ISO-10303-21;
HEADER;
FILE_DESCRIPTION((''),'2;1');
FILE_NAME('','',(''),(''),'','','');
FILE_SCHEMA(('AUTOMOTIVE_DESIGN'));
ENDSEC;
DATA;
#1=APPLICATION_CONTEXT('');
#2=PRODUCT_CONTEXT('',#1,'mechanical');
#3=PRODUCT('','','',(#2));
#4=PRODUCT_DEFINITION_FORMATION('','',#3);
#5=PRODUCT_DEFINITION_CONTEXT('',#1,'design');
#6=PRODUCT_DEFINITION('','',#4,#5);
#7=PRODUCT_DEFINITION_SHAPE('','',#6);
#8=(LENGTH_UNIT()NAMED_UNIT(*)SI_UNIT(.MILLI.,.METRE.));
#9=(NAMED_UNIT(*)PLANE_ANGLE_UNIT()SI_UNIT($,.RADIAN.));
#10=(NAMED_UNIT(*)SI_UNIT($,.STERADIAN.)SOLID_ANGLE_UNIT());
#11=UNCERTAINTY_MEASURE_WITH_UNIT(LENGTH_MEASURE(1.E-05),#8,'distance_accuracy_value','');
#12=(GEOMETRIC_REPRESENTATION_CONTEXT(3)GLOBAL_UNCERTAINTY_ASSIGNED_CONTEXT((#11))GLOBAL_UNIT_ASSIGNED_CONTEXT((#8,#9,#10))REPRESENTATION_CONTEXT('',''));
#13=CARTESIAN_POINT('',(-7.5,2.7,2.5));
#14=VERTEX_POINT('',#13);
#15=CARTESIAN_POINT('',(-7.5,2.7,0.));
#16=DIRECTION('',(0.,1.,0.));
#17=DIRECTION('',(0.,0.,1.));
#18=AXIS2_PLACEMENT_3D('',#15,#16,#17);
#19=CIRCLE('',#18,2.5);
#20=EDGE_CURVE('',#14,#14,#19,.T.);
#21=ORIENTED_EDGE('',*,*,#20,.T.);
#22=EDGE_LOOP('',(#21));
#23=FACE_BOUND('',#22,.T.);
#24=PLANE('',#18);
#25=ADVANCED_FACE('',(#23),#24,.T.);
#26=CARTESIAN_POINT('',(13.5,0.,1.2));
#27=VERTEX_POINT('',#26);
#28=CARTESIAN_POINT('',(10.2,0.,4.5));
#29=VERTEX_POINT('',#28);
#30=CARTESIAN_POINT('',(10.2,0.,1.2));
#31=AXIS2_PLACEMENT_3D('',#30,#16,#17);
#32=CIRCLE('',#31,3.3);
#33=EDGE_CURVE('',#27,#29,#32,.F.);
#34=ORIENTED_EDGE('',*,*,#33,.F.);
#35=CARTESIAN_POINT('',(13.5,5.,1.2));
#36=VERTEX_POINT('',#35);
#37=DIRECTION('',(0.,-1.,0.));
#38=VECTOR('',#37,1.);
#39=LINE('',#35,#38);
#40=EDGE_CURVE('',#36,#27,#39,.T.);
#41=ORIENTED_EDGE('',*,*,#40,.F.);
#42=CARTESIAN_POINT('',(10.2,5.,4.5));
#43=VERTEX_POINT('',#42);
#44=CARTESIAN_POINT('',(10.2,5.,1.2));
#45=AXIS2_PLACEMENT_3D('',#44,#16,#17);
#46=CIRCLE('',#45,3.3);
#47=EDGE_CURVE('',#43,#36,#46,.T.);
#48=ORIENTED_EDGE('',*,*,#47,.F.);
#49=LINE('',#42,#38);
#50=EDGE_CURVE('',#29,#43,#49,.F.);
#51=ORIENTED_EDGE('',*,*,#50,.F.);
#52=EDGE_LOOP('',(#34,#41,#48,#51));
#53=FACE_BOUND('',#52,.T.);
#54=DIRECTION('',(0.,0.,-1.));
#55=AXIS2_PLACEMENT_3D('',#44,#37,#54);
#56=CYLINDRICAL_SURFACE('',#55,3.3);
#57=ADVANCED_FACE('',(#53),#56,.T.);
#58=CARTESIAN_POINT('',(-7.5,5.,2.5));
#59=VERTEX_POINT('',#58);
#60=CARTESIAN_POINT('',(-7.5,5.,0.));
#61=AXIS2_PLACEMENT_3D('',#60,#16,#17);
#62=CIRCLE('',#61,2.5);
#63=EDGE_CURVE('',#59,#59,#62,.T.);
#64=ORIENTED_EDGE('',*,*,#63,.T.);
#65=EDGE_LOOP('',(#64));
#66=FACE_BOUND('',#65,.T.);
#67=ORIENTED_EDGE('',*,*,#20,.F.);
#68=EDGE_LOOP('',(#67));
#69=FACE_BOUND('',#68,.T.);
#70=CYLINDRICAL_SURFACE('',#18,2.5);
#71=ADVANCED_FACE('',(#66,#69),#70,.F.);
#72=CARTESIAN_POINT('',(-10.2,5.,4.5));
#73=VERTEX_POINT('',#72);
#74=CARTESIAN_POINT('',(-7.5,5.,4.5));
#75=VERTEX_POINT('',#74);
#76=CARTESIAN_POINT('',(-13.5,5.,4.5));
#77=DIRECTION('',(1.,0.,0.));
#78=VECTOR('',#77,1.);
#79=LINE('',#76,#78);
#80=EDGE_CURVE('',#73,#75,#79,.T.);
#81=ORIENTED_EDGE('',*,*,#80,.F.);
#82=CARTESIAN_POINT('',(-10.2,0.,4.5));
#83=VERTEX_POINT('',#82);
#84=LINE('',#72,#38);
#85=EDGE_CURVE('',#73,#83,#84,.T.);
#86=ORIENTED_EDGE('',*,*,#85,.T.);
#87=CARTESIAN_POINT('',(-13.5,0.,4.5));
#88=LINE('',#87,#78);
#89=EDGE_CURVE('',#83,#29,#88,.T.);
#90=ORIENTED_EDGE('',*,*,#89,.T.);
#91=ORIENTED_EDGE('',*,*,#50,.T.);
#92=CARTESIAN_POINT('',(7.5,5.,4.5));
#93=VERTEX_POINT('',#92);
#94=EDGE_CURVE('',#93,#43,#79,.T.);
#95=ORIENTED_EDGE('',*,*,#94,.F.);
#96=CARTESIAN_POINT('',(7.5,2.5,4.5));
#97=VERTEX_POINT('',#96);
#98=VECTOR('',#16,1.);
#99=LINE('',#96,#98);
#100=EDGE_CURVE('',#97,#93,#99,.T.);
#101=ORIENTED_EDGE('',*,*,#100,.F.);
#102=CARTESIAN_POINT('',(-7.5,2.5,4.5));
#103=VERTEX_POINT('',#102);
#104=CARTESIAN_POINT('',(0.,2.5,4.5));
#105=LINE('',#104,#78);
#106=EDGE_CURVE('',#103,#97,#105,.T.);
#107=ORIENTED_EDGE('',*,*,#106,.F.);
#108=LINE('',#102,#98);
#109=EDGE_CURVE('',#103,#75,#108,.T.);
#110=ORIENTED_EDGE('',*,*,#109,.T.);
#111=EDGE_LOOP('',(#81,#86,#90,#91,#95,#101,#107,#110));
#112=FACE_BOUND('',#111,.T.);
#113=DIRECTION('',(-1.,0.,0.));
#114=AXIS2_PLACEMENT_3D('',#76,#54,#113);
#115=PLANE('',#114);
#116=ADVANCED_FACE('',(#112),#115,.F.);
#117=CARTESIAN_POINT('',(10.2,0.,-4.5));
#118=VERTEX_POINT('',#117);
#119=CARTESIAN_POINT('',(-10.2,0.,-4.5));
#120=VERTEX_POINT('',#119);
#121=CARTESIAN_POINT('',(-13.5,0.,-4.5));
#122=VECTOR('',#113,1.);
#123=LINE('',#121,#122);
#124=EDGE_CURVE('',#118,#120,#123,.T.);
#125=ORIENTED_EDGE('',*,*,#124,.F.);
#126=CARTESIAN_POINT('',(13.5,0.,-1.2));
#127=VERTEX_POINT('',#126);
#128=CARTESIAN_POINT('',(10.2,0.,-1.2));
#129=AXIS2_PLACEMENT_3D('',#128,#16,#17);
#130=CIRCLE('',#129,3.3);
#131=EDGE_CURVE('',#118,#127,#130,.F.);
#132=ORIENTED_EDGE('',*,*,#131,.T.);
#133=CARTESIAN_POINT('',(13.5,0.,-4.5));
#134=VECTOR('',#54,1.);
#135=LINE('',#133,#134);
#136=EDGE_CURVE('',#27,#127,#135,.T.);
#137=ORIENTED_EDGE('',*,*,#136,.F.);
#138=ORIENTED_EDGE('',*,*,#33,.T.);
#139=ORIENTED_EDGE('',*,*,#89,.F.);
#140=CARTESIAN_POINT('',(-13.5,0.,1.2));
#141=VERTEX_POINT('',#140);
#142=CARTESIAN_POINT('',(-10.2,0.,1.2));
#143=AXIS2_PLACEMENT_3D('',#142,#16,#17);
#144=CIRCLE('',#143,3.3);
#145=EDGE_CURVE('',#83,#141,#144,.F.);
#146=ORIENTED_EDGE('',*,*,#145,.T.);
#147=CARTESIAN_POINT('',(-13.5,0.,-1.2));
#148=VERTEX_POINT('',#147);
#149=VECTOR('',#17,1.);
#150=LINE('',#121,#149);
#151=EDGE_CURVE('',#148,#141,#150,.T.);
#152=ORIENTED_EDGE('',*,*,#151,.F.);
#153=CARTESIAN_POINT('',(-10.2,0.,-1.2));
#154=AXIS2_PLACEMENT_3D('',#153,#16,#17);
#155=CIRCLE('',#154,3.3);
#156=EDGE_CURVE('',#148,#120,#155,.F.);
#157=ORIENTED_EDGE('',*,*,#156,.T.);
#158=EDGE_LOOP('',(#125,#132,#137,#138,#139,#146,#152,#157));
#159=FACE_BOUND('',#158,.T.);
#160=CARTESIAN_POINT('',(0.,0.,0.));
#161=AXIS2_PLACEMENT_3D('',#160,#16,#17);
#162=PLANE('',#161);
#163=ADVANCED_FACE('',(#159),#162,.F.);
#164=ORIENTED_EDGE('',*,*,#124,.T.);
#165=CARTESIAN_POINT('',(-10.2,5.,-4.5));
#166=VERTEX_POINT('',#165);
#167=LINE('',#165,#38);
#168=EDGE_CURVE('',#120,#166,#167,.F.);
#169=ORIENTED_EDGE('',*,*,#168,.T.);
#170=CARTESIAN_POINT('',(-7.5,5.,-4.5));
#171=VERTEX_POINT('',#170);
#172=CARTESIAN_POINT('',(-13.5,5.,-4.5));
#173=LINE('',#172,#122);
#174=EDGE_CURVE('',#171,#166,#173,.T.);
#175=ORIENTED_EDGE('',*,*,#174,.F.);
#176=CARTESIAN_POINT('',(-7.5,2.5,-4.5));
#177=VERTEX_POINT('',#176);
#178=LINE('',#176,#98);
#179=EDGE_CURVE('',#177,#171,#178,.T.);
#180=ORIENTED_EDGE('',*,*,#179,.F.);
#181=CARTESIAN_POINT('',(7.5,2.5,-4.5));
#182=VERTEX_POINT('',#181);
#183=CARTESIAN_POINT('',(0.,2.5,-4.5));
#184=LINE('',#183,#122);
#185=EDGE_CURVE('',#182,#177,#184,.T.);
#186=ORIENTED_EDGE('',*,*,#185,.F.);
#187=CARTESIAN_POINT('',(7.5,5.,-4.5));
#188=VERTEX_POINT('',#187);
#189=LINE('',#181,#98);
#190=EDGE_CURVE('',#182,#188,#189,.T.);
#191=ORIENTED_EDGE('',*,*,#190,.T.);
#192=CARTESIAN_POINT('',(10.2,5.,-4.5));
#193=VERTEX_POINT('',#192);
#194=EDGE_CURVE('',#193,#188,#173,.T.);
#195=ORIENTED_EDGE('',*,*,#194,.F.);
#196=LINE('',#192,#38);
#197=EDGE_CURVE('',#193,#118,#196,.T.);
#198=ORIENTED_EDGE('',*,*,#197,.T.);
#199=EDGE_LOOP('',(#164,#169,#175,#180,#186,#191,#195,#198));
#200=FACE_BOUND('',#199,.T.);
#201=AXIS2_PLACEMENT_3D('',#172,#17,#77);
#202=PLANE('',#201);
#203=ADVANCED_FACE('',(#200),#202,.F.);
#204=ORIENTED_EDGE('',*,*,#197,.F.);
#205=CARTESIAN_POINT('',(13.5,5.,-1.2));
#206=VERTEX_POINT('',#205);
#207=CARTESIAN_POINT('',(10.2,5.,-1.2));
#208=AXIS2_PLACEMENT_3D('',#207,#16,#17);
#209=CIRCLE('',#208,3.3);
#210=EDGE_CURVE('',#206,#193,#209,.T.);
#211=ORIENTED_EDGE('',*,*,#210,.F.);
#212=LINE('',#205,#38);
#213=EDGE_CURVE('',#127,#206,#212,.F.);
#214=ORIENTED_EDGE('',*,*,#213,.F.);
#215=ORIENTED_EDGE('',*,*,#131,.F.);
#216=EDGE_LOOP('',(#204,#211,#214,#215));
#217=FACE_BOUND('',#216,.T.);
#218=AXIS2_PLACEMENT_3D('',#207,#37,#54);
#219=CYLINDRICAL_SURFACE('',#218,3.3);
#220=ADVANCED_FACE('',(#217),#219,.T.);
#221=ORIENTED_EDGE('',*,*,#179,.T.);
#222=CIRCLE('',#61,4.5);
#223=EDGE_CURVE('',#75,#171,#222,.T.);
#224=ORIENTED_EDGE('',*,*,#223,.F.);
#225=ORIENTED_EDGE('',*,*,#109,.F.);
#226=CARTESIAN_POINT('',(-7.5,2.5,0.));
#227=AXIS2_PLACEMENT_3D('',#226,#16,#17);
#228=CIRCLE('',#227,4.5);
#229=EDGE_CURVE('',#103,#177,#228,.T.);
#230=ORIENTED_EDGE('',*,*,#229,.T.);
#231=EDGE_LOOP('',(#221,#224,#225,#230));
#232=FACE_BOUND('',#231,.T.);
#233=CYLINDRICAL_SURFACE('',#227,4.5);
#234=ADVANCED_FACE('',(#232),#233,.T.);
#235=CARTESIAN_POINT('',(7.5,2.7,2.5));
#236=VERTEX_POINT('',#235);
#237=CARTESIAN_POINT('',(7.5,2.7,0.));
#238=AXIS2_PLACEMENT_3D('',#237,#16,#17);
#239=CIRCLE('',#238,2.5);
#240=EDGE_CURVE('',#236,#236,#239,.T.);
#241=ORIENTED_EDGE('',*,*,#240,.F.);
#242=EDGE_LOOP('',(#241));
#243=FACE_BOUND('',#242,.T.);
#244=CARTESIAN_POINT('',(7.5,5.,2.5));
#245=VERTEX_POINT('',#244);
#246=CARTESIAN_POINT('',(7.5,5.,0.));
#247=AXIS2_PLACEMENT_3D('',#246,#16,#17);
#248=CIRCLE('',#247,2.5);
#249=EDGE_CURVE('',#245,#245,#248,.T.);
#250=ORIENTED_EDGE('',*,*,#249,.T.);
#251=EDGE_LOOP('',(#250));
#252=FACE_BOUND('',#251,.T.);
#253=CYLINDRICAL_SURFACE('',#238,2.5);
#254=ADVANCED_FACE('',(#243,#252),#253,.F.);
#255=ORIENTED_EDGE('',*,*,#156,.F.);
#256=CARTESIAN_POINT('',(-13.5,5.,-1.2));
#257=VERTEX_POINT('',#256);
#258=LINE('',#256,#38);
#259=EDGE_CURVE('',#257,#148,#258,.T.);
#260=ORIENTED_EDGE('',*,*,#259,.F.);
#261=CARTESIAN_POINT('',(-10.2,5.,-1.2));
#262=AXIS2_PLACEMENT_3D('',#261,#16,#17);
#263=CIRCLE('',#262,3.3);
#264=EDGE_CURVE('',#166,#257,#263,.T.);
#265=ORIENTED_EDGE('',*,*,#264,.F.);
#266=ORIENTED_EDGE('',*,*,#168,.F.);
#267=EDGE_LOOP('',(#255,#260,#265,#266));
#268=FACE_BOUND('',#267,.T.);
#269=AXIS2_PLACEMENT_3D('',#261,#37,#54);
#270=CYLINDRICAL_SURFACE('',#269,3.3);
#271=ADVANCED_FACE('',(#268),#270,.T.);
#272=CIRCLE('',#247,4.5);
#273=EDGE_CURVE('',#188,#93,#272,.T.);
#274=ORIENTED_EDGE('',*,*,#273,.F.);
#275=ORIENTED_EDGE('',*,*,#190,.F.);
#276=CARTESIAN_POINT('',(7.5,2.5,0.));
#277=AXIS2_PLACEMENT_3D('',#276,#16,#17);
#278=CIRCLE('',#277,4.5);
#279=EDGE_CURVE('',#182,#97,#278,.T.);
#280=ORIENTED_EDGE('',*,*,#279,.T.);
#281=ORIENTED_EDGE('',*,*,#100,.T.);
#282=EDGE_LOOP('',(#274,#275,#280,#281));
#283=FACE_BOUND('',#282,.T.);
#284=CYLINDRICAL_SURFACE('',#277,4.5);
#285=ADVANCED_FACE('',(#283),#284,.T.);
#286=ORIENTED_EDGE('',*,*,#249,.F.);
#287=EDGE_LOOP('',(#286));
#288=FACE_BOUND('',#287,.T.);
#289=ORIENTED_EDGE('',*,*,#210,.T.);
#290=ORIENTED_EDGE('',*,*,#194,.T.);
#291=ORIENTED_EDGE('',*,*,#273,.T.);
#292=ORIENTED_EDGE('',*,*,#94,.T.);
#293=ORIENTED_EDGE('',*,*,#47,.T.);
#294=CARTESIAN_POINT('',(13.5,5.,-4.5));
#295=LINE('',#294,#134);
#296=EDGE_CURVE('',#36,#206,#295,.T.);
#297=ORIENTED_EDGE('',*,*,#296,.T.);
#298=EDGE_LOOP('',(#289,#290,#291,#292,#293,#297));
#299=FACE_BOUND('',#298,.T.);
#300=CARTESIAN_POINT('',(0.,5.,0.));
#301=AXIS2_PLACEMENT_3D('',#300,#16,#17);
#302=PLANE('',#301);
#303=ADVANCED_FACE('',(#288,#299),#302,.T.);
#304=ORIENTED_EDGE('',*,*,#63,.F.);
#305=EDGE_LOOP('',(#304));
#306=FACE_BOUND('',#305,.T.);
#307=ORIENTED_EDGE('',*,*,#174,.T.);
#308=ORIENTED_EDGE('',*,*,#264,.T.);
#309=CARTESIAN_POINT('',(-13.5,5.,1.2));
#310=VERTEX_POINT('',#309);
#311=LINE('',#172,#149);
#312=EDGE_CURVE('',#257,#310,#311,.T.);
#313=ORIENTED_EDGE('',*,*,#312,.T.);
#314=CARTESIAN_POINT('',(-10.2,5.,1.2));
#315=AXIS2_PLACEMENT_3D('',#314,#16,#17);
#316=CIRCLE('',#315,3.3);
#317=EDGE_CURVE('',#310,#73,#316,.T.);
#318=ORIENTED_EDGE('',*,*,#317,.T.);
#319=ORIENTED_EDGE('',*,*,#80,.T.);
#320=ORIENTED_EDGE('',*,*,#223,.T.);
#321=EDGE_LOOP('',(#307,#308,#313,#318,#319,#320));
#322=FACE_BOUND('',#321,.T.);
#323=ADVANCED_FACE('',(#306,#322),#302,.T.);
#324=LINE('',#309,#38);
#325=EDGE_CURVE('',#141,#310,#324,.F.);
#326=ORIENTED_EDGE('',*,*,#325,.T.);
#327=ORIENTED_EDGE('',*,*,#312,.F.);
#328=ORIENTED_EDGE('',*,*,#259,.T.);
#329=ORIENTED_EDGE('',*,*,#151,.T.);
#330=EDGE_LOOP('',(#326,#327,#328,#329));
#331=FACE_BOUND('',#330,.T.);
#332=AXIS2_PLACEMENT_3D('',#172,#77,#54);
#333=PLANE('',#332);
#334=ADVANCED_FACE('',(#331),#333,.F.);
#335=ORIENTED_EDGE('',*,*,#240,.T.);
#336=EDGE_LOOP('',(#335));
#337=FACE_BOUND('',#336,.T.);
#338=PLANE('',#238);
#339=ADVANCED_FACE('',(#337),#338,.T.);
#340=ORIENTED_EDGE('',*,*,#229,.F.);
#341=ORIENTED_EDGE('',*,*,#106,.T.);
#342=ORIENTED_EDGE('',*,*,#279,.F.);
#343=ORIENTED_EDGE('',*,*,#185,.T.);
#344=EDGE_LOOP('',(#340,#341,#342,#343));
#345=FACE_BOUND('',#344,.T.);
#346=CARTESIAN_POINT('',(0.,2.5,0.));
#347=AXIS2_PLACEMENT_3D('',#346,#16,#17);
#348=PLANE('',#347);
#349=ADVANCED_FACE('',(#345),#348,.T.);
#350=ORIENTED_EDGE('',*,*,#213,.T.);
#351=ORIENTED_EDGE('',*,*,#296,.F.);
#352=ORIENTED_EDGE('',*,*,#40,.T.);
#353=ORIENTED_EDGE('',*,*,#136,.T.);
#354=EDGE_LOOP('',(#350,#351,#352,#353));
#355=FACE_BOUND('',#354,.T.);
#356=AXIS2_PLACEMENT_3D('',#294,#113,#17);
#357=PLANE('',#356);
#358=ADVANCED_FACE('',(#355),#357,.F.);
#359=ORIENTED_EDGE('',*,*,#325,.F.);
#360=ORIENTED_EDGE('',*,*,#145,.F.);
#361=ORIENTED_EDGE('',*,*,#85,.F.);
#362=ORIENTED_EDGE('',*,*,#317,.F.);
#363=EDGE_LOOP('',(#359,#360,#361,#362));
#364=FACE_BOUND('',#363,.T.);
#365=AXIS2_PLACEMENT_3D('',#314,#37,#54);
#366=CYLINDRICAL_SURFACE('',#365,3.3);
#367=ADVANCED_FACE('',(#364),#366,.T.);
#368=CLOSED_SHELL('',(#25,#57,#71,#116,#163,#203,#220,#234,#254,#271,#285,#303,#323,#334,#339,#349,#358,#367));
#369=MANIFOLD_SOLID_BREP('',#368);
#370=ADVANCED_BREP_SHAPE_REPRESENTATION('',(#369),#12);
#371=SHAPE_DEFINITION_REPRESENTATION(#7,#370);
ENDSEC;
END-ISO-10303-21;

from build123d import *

# Parameters (mm, degrees)
SKETCH1_W           = 27
SKETCH1_H           = 9
BOSS_EXTRUDE1_DEPTH = 5
FILLET1_R           = 3.3
SKETCH2_R           = 2.5
CUT_EXTRUDE1_DEPTH  = 2.3
CUT_EXTRUDE4_DEPTH  = 2.5


with BuildPart() as part:
    # Sketch1 → Boss-Extrude1 (new body)
    with BuildSketch(Plane(origin=(0, 0, 0), x_dir=(1, 0, 0), z_dir=(0, 1, 0))):
        Rectangle(SKETCH1_W, SKETCH1_H)
    extrude(amount=BOSS_EXTRUDE1_DEPTH)

    # Fillet1
    fillet1_edges = [part.edges().sort_by_distance(p)[0] for p in [
        (13.5, 2.5, 4.5),
        (-13.5, 2.5, 4.5),
        (-13.5, 2.5, -4.5),
        (13.5, 2.5, -4.5),
    ]]
    fillet(fillet1_edges, radius=FILLET1_R)

    # Sketch2 → Cut-Extrude1 (cut)
    with BuildSketch(Plane(origin=(0, 5, 0), x_dir=(1, 0, 0), z_dir=(0, 1, 0))):
        with Locations(Location((-7.5, 0, 0), (0, 0, 270))):
            Circle(SKETCH2_R)
        with Locations(Location((7.5, 0, 0), (0, 0, 270))):
            Circle(SKETCH2_R)
    extrude(amount=-CUT_EXTRUDE1_DEPTH, mode=Mode.SUBTRACT)

    # Sketch4 → Cut-Extrude4 (cut)
    with BuildSketch(Plane(origin=(0, 5, 0), x_dir=(1, 0, 0), z_dir=(0, 1, 0))):
        with BuildLine():
            ThreePointArc((-3, 0), (-4.318019485, -3.181980515), (-7.5, -4.5))
            Line((-7.5, -4.5), (7.499999999, -4.5))
            ThreePointArc((7.499999999, -4.5), (3, 0), (7.5, 4.5))
            Line((7.5, 4.5), (-7.5, 4.5))
            ThreePointArc((-7.5, 4.5), (-4.318019485, 3.181980515), (-3, 0))
        make_face()
    extrude(amount=-CUT_EXTRUDE4_DEPTH, mode=Mode.SUBTRACT)


solid = part.part
